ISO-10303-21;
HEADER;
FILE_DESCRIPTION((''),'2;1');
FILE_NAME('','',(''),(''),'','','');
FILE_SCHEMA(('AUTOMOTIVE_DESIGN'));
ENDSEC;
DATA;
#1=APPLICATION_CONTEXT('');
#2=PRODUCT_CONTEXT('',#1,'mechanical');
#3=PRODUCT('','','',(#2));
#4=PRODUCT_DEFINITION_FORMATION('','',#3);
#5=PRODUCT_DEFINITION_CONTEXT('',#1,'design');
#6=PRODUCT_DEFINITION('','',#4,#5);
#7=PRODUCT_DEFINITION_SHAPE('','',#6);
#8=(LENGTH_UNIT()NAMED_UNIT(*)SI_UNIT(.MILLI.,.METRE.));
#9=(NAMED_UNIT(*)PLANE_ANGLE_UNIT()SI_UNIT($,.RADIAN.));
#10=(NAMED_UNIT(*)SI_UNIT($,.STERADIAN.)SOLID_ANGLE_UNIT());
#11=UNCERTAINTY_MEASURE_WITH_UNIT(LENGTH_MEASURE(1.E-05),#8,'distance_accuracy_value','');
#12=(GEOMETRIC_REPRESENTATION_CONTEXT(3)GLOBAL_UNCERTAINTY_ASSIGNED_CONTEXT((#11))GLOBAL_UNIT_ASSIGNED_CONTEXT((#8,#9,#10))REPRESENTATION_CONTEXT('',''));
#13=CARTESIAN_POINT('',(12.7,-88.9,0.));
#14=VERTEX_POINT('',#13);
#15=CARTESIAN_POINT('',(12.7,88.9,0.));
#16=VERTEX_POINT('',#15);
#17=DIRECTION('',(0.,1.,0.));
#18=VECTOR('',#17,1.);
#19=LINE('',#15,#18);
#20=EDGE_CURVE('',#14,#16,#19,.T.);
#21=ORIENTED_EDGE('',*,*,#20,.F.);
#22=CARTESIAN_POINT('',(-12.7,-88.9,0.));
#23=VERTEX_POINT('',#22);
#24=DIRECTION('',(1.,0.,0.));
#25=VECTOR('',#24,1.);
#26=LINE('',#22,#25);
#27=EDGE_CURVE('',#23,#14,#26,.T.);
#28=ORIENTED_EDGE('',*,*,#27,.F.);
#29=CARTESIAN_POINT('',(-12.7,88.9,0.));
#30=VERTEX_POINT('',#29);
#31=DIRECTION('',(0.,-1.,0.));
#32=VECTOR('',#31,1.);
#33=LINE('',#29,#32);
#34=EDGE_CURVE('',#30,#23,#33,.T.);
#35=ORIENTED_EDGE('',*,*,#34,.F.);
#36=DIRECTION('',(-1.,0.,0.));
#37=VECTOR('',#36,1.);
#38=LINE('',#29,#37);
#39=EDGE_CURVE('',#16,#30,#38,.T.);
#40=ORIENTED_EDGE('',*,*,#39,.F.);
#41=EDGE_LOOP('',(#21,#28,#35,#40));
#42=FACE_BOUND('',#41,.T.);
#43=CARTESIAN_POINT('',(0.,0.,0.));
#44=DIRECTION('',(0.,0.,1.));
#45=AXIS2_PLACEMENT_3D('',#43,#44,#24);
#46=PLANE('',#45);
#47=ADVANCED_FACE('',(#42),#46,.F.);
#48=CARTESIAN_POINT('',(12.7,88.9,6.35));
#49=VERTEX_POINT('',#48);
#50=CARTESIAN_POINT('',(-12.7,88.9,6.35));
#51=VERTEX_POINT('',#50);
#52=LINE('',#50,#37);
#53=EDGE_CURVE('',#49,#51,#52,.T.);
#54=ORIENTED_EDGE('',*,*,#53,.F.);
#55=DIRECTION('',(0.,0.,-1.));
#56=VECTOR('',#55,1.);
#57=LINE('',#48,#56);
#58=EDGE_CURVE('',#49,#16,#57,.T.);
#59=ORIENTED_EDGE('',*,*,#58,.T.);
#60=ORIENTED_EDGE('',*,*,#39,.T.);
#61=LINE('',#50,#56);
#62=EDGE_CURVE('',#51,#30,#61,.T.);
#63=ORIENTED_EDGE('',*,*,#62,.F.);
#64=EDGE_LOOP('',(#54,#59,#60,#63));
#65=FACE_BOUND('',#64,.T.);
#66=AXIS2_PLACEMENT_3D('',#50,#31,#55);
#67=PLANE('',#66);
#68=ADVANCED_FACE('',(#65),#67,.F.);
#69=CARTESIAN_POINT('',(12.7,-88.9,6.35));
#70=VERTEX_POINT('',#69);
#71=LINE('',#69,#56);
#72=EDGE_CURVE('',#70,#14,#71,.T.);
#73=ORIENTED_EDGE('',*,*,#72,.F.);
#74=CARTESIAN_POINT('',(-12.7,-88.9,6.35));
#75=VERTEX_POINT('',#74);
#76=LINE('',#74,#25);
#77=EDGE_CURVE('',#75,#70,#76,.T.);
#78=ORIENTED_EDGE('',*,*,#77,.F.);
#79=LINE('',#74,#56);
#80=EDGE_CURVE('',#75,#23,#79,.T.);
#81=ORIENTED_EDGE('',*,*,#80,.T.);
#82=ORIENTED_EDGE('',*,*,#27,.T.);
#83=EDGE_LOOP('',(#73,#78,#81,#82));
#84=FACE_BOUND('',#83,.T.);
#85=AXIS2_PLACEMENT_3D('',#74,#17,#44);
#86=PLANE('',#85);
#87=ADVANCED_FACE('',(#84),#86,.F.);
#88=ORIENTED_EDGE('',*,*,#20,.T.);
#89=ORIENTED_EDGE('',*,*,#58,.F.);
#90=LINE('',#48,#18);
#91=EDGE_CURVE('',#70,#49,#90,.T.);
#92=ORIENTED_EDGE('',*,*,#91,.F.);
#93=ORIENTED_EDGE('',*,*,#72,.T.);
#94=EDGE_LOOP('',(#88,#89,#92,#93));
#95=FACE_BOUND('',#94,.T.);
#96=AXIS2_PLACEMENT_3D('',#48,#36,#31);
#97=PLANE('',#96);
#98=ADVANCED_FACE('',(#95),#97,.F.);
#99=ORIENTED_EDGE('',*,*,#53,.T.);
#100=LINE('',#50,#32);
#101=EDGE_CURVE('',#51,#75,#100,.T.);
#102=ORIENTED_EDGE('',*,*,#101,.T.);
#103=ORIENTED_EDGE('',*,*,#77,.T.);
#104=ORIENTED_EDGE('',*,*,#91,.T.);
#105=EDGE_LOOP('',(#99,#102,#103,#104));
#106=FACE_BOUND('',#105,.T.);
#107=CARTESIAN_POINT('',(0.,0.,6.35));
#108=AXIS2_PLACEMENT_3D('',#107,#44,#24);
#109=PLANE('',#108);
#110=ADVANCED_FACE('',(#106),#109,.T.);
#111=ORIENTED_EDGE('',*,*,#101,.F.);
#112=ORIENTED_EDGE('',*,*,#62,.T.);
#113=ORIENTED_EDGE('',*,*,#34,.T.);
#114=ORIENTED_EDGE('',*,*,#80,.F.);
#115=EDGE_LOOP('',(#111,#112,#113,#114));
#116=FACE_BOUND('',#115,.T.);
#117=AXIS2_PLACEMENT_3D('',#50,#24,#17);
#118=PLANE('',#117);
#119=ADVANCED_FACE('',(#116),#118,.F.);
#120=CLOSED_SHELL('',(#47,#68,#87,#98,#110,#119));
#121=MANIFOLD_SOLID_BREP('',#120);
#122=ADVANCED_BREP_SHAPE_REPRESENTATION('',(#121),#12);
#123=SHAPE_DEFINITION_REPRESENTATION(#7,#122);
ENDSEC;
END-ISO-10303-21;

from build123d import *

# Parameters (mm, degrees)
SKETCH1_W           = 25.4
SKETCH1_H           = 177.8
BOSS_EXTRUDE1_DEPTH = 6.35


with BuildPart() as part:
    # Sketch1 → Boss-Extrude1 (new body)
    with BuildSketch(Plane.XY):
        Rectangle(SKETCH1_W, SKETCH1_H)
    extrude(amount=BOSS_EXTRUDE1_DEPTH)


solid = part.part
